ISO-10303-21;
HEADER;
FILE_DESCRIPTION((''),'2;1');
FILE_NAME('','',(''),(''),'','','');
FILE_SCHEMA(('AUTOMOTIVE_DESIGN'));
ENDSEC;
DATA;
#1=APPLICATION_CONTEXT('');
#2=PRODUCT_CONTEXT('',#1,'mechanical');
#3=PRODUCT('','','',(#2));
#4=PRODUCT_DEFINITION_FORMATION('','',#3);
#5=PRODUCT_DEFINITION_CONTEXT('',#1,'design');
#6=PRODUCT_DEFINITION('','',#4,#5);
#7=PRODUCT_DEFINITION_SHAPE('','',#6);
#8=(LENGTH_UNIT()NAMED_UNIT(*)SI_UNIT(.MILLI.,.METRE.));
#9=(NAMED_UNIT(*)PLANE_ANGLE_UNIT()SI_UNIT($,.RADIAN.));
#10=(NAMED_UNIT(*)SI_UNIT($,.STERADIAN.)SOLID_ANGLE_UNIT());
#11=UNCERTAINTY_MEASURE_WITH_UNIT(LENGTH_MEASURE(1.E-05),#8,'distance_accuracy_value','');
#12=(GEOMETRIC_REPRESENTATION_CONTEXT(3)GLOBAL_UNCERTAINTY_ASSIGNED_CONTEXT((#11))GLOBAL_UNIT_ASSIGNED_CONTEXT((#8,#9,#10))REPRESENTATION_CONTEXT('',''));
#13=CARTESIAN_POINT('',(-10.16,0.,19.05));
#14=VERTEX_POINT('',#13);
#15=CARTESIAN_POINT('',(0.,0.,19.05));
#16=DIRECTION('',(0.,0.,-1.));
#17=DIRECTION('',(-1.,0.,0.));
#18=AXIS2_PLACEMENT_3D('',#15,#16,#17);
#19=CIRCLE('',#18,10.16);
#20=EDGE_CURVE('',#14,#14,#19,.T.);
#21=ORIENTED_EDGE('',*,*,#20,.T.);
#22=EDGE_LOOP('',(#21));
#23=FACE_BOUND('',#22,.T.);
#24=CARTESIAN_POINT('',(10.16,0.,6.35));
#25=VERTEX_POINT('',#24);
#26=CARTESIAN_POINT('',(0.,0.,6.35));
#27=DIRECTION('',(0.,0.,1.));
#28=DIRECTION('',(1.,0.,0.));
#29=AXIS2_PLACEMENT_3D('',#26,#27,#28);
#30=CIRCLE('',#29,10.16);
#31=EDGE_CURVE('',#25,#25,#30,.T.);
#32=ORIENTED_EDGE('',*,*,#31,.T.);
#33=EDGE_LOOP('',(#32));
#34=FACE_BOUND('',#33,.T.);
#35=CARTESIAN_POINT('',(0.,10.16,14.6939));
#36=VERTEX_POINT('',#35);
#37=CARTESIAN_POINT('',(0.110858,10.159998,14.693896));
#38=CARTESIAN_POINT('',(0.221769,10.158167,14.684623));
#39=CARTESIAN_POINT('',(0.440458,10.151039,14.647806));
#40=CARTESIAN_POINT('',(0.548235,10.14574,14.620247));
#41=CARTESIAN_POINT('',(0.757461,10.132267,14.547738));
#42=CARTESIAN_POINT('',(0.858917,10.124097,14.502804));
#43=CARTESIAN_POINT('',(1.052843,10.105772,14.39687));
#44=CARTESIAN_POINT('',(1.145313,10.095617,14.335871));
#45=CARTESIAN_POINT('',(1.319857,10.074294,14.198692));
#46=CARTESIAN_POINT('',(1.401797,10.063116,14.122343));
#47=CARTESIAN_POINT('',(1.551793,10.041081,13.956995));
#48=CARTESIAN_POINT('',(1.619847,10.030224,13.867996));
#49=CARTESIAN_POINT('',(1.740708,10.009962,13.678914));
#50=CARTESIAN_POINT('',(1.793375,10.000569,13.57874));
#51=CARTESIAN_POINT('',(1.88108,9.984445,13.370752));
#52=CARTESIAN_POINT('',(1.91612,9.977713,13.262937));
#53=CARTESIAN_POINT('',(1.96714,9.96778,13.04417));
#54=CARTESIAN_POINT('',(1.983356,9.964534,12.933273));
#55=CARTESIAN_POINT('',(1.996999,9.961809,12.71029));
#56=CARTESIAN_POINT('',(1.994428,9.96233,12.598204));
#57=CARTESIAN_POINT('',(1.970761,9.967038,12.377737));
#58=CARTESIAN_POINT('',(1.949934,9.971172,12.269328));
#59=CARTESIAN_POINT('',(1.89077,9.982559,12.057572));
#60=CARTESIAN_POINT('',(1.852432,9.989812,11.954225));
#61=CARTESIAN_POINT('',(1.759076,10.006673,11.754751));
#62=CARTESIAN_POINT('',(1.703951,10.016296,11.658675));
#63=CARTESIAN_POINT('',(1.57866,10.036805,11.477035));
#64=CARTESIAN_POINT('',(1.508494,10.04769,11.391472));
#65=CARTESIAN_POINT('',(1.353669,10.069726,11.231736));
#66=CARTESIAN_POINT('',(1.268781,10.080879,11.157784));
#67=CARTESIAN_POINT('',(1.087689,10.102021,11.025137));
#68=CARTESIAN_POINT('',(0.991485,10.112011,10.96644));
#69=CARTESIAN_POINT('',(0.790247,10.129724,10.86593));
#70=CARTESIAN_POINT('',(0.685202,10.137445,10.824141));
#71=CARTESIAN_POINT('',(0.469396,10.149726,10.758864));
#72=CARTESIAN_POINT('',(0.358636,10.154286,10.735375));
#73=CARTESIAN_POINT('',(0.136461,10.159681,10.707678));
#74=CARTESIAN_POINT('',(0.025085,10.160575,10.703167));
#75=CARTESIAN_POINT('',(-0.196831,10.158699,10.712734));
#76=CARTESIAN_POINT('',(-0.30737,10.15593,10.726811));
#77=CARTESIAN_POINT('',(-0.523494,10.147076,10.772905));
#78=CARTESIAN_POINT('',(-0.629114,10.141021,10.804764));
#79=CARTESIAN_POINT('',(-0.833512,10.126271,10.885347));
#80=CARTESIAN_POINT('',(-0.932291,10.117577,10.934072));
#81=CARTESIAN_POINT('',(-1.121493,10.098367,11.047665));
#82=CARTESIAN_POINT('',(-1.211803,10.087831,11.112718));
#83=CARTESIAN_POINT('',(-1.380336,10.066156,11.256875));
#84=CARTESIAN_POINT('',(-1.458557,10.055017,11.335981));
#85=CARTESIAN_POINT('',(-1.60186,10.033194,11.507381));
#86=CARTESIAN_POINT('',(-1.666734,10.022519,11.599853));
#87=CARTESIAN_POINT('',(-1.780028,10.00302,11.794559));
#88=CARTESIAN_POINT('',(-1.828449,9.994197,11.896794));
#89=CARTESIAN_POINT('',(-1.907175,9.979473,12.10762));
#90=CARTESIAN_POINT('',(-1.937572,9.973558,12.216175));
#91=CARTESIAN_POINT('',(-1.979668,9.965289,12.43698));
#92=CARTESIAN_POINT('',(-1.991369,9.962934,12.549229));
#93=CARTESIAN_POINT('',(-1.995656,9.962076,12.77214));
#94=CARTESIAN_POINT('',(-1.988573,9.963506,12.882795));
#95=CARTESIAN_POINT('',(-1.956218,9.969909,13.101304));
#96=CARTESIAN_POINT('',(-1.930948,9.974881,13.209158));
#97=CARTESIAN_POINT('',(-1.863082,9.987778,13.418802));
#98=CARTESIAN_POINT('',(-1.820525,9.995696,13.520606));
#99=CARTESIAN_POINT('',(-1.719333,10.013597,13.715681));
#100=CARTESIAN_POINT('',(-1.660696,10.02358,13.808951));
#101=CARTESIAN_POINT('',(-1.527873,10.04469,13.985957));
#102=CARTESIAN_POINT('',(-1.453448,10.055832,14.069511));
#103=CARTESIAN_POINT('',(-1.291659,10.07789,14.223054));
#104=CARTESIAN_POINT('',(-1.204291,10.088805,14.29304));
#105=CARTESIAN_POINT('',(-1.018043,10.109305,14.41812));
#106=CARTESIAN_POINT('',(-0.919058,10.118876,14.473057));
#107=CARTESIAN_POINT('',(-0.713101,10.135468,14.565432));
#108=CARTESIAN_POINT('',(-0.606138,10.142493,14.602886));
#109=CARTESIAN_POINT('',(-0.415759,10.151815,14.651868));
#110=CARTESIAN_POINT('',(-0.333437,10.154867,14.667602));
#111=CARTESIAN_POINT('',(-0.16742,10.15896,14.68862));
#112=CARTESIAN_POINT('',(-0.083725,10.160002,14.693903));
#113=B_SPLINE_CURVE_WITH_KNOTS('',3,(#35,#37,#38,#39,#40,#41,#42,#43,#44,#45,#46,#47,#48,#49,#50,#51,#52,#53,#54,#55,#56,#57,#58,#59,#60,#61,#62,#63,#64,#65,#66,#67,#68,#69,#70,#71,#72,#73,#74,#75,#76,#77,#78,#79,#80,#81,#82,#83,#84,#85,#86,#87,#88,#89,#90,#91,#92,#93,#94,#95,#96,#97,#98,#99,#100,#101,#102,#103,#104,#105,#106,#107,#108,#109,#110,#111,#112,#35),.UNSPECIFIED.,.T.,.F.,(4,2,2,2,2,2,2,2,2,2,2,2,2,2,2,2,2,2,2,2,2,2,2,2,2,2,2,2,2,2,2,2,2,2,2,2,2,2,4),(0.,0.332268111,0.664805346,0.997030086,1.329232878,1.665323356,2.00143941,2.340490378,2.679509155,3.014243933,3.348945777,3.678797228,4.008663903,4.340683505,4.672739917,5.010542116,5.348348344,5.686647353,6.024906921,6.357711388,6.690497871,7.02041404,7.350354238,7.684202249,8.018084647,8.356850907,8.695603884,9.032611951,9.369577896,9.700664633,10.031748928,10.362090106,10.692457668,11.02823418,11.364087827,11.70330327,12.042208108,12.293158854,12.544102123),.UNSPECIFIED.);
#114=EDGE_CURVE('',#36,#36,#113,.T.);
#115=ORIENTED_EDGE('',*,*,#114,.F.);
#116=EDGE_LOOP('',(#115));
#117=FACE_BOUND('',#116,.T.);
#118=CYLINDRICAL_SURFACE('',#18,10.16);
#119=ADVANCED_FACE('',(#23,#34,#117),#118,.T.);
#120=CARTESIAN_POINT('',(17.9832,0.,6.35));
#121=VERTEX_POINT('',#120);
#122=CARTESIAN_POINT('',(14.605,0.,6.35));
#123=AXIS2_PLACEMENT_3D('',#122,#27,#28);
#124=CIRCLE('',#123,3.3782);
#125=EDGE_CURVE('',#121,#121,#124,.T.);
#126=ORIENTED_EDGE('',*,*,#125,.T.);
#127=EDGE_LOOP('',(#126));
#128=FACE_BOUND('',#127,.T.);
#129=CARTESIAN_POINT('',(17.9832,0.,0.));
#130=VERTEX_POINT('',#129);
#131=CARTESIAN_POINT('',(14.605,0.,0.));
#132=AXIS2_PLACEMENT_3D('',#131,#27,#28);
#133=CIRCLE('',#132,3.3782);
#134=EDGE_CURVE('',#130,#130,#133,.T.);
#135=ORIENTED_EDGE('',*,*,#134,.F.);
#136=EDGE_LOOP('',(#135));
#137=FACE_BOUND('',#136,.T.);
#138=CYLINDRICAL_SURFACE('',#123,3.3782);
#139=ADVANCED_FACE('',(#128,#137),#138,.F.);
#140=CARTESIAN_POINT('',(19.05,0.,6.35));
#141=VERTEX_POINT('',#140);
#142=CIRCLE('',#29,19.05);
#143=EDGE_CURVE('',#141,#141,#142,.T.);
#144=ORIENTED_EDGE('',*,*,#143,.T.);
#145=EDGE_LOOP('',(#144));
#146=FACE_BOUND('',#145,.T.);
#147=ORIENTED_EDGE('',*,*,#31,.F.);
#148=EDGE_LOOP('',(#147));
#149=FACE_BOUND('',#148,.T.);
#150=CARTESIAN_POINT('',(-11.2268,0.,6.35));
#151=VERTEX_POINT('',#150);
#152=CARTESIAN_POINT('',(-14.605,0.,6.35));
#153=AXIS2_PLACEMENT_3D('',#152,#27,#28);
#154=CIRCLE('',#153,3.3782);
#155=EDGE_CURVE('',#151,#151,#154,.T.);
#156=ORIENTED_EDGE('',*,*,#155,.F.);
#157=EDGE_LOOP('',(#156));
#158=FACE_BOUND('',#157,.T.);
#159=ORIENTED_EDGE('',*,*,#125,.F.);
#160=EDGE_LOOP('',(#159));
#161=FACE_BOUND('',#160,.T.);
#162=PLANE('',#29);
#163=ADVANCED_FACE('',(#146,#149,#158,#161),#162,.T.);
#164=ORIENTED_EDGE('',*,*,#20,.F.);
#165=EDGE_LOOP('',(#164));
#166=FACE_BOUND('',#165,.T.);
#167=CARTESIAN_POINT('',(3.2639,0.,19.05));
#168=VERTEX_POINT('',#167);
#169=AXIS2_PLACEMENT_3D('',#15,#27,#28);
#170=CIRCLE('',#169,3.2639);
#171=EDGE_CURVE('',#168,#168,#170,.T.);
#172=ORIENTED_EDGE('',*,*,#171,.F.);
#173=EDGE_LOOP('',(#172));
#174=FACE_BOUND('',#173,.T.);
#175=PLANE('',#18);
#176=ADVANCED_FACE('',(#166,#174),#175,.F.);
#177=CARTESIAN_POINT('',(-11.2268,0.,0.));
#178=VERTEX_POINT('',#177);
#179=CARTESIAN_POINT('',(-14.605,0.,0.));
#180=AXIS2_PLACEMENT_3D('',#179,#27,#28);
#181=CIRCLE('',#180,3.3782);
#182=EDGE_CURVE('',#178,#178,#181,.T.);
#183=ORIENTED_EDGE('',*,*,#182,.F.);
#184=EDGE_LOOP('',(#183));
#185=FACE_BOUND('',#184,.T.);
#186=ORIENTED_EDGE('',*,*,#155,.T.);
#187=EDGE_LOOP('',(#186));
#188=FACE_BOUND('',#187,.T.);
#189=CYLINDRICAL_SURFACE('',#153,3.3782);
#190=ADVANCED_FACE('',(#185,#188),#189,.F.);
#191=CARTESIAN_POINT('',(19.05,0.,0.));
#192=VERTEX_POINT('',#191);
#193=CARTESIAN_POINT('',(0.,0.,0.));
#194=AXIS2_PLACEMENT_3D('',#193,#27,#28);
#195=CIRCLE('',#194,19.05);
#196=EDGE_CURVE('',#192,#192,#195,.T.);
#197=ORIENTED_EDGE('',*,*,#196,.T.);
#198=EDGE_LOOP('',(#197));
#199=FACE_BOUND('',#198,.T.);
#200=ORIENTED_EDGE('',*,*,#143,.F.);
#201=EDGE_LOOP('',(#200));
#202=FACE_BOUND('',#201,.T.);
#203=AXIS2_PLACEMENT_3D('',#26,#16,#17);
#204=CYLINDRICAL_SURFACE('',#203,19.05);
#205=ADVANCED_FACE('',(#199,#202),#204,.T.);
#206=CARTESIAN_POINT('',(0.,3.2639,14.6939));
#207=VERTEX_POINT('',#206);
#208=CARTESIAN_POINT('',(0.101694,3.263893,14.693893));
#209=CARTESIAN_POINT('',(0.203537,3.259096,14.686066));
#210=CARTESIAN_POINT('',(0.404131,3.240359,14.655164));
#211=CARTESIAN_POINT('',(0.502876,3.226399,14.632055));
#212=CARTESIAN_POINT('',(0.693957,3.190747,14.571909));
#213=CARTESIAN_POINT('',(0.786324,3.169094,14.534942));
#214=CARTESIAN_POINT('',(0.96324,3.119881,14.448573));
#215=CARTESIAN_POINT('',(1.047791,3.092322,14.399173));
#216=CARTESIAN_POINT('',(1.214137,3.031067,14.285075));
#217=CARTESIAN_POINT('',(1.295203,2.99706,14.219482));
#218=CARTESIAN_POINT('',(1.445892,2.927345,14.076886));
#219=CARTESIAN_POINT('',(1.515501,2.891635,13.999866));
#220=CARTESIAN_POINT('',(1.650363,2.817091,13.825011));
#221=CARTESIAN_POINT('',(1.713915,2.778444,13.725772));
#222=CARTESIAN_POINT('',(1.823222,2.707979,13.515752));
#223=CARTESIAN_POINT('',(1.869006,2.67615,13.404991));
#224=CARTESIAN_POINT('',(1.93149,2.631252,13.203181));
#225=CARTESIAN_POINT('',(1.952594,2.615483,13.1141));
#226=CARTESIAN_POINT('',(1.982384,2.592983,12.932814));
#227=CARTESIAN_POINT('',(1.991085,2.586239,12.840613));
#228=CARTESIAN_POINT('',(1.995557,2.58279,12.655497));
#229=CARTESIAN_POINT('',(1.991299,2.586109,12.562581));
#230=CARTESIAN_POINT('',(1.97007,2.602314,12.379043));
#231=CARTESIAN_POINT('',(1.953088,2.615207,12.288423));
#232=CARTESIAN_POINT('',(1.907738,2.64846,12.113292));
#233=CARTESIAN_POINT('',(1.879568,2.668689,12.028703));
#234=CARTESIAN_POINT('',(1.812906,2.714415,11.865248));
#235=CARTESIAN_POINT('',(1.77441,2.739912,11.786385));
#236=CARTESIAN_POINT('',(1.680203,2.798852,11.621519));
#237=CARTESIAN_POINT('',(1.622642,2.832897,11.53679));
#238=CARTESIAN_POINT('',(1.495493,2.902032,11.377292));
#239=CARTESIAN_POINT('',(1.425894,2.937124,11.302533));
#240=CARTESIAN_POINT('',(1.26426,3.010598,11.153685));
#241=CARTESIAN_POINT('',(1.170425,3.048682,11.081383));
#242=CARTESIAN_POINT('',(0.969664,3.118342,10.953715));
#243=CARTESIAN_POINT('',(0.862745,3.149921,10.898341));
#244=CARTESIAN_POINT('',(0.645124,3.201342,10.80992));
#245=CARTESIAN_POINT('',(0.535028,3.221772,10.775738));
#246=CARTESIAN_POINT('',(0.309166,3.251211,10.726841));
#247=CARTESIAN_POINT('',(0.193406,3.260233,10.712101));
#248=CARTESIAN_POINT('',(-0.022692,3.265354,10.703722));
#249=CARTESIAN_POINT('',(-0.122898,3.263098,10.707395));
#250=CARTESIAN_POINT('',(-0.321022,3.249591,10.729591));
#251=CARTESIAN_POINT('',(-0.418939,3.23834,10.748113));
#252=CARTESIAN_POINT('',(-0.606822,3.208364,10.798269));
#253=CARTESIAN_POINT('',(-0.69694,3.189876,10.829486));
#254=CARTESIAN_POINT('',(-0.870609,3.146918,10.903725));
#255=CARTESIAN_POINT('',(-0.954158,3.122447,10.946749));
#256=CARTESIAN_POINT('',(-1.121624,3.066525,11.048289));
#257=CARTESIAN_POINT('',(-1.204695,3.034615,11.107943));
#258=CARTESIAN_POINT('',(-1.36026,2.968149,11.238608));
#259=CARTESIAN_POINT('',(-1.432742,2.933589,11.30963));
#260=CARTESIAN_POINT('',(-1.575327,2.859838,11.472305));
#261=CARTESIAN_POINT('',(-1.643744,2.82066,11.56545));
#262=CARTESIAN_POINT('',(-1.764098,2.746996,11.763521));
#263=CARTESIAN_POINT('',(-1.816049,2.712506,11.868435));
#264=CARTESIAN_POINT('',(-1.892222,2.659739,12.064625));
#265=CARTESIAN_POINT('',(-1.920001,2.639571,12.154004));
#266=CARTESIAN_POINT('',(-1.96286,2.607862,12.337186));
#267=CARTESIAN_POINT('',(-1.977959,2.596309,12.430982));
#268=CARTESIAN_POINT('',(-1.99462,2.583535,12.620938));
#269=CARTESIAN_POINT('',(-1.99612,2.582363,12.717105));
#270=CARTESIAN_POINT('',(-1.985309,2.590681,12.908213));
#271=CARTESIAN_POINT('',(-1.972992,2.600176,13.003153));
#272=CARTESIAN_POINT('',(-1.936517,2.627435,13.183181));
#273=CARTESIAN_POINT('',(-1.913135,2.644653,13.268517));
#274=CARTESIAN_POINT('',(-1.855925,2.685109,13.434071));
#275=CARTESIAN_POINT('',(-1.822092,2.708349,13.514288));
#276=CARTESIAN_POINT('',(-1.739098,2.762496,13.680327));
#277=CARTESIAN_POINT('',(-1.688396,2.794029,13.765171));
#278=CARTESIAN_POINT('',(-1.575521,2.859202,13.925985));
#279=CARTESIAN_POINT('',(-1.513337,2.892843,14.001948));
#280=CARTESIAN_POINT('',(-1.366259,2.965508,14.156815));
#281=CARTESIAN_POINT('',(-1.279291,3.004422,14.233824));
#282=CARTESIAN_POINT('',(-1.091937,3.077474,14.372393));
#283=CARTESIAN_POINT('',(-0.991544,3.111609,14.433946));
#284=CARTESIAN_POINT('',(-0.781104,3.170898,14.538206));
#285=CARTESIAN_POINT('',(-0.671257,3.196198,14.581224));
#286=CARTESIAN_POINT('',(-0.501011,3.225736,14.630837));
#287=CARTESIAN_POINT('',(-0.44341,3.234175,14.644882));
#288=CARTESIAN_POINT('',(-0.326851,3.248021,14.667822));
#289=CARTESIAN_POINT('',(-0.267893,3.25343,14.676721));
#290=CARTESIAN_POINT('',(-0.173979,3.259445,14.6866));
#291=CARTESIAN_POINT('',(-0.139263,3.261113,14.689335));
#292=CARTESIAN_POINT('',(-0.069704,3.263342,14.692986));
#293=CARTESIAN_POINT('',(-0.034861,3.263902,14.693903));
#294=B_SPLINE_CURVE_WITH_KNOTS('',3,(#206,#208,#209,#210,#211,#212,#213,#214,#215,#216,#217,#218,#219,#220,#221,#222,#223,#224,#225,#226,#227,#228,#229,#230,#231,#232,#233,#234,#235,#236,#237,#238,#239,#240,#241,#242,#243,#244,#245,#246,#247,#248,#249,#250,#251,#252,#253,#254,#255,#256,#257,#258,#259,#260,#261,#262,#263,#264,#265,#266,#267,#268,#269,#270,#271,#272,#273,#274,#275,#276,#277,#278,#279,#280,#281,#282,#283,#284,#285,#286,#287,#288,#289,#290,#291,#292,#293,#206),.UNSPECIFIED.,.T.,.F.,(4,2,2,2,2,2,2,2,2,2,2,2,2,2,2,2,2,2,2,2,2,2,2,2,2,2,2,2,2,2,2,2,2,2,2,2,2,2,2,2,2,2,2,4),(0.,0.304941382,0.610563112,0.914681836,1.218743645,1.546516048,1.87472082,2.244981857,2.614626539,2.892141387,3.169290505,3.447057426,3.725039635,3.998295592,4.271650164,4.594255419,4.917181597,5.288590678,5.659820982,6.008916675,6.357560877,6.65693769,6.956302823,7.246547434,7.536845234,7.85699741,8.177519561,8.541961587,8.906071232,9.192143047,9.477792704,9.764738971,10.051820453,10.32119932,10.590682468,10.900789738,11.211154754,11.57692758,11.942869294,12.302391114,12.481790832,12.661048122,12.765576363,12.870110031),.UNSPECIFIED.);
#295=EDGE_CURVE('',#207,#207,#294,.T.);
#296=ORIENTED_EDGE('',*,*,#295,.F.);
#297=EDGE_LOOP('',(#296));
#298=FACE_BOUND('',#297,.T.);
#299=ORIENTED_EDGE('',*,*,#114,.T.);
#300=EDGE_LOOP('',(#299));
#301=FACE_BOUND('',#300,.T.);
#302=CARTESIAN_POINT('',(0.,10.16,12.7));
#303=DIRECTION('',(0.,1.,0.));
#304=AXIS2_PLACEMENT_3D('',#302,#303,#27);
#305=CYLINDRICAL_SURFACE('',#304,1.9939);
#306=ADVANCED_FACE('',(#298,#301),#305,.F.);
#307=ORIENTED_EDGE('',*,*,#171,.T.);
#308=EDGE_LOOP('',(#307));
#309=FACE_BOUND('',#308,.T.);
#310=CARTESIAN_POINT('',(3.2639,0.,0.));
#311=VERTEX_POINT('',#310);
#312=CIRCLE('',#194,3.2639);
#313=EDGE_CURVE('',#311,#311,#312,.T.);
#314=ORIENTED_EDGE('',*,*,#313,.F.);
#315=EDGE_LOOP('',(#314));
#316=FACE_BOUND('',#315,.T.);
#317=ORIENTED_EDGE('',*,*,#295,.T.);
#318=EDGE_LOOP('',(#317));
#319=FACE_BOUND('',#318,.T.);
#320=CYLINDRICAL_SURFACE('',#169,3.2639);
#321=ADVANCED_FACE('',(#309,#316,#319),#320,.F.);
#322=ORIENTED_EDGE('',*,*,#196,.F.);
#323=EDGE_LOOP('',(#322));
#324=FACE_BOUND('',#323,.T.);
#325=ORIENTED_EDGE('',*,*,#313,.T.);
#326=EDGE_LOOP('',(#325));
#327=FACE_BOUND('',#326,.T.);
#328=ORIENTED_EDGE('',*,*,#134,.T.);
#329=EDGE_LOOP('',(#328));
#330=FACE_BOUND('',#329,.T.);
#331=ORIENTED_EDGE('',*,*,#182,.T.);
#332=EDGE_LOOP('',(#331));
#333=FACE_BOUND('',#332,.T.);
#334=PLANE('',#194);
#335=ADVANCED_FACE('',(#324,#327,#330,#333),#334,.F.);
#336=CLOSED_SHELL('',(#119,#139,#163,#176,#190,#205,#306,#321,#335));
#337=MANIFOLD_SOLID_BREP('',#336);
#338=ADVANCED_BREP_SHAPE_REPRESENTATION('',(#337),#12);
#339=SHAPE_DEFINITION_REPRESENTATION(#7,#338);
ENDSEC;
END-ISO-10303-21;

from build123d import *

# Parameters (mm, degrees)
SKETCH1_R                  = 19.05
BOSS_EXTRUDE1_DEPTH        = 6.35
SKETCH2_R                  = 10.16
BOSS_EXTRUDE2_DEPTH        = 19.05
F_0_257_DIAMETER_HOLE1_D   = 6.5278
F_10_24_TAPPED_HOLE3_D     = 3.9878
F_10_24_TAPPED_HOLE3_DEPTH = 10.159
F_10_24_TAPPED_HOLE3_TIP   = 1.198055988
H_0_266_DIAMETER_HOLE1_D   = 6.7564


with BuildPart() as part:
    # Sketch1 → Boss-Extrude1 (new body)
    with BuildSketch(Plane.XY):
        Circle(SKETCH1_R)
    extrude(amount=BOSS_EXTRUDE1_DEPTH)

    # Sketch2 → Boss-Extrude2 (add)
    with BuildSketch(Plane(origin=(0, 0, 0), x_dir=(-1, 0, 0), z_dir=(0, 0, -1))):
        Circle(SKETCH2_R)
    extrude(amount=-BOSS_EXTRUDE2_DEPTH)

    # F (0.257) Diameter Hole1 (through all)
    with Locations(Plane.XY.offset(19.05)):
        with Locations((0, 0)):
            Hole(F_0_257_DIAMETER_HOLE1_D / 2)

    # #10-24 Tapped Hole3
    with Locations(Plane(origin=(0, 10.16, 12.7), x_dir=(0, 0, 1), z_dir=(0, 1, 0))):
        with Locations((0, 0)):
            Hole(F_10_24_TAPPED_HOLE3_D / 2, depth=F_10_24_TAPPED_HOLE3_DEPTH)
            with Locations((0, 0, -(F_10_24_TAPPED_HOLE3_DEPTH + F_10_24_TAPPED_HOLE3_TIP / 2))):  # 118° drill point
                Cone(0, F_10_24_TAPPED_HOLE3_D / 2, F_10_24_TAPPED_HOLE3_TIP, mode=Mode.SUBTRACT)

    # H (0.266) Diameter Hole1 (through all)
    with Locations(Plane.XY.offset(6.35)):
        with Locations((-14.605, 0), (14.605, 0)):
            Hole(H_0_266_DIAMETER_HOLE1_D / 2)


solid = part.part
